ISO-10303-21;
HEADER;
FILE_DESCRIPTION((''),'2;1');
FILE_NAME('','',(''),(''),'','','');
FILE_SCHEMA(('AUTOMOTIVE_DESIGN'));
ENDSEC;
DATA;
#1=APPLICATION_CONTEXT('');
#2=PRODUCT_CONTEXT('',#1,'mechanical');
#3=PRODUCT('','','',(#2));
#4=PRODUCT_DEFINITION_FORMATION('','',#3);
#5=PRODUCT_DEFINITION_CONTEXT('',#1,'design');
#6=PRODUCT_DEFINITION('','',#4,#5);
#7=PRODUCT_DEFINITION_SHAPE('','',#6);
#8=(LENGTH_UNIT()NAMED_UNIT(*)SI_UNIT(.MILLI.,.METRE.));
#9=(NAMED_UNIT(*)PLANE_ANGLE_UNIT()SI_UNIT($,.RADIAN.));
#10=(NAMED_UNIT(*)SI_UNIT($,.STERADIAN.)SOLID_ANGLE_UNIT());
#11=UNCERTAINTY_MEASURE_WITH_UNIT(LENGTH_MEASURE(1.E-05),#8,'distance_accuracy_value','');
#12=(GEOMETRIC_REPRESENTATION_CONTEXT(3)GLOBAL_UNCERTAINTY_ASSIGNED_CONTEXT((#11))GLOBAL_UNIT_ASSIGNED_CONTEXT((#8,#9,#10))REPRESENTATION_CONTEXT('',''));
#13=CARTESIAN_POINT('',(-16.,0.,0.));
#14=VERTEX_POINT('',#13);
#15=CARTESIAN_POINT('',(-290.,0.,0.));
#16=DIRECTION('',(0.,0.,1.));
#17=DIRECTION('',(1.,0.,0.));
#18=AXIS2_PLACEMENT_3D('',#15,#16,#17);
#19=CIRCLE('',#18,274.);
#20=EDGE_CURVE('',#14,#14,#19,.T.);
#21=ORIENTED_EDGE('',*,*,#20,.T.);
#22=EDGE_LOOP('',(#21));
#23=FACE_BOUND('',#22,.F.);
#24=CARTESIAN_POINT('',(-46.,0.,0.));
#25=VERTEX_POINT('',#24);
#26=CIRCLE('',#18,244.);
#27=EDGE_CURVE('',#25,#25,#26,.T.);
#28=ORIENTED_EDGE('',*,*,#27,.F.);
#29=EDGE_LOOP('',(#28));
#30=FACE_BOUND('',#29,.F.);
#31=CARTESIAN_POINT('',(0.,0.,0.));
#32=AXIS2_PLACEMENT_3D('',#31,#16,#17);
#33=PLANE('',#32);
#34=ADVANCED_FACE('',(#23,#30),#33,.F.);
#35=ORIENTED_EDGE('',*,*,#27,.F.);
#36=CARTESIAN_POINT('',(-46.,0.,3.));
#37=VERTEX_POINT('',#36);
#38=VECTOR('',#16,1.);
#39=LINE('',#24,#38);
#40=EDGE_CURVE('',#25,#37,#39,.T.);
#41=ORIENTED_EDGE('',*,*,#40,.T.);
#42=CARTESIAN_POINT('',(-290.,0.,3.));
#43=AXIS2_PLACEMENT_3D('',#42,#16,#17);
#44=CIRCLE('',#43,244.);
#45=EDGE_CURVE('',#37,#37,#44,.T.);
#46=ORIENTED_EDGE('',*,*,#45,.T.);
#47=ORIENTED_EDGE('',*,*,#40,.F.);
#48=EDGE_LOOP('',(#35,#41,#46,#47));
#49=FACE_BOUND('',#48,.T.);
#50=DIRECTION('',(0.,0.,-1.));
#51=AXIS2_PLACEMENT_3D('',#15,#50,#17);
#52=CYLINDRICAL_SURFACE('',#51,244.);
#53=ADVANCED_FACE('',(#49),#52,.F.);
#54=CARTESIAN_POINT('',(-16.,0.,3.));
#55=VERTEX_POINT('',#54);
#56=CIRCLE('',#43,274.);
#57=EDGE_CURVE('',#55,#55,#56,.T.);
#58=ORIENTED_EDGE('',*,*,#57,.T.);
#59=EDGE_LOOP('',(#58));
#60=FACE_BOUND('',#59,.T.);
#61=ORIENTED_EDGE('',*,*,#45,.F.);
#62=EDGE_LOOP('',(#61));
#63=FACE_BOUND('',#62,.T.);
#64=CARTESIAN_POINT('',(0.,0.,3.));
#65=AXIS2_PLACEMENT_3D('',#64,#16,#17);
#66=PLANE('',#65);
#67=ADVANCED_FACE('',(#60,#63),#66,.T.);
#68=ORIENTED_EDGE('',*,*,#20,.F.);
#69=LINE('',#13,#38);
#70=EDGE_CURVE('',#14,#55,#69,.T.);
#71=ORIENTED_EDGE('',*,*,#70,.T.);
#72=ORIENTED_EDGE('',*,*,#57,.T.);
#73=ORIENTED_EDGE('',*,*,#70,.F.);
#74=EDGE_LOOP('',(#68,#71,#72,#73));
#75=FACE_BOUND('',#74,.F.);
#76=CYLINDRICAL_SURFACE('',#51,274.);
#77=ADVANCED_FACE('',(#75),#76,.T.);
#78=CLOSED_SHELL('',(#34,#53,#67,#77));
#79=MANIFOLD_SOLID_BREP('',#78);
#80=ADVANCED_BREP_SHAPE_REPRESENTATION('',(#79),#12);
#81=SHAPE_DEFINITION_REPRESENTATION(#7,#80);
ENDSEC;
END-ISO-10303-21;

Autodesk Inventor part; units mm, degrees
ref_plane "YZ Plane" through (0, 0, 0) normal (1, 0, 0) x (0, 1, 0)
ref_plane "XZ Plane" through (0, 0, 0) normal (0, 1, 0) x (-1, 0, 0)
ref_plane "XY Plane" through (0, 0, 0) normal (0, 0, 1) x (1, 0, 0)
ref_plane "Work Plane1" through (0, 0, 0) normal (0, 0, 1) x (1, 0, 0)
sketch "Sketch1" plane through (0, 0, 0) normal (0, 0, 1) x (1, 0, 0)
  circle A0 centre (-290, 0) radius 274 projected
  circle A1 centre (-290, 0) radius 244
  point P0 (0, 0)
  dimension "d0" = 30
extrude "Extrusion1" add sketch "Sketch1" along normal blind 3
properties part number "top" material "Wood (Birch)"
